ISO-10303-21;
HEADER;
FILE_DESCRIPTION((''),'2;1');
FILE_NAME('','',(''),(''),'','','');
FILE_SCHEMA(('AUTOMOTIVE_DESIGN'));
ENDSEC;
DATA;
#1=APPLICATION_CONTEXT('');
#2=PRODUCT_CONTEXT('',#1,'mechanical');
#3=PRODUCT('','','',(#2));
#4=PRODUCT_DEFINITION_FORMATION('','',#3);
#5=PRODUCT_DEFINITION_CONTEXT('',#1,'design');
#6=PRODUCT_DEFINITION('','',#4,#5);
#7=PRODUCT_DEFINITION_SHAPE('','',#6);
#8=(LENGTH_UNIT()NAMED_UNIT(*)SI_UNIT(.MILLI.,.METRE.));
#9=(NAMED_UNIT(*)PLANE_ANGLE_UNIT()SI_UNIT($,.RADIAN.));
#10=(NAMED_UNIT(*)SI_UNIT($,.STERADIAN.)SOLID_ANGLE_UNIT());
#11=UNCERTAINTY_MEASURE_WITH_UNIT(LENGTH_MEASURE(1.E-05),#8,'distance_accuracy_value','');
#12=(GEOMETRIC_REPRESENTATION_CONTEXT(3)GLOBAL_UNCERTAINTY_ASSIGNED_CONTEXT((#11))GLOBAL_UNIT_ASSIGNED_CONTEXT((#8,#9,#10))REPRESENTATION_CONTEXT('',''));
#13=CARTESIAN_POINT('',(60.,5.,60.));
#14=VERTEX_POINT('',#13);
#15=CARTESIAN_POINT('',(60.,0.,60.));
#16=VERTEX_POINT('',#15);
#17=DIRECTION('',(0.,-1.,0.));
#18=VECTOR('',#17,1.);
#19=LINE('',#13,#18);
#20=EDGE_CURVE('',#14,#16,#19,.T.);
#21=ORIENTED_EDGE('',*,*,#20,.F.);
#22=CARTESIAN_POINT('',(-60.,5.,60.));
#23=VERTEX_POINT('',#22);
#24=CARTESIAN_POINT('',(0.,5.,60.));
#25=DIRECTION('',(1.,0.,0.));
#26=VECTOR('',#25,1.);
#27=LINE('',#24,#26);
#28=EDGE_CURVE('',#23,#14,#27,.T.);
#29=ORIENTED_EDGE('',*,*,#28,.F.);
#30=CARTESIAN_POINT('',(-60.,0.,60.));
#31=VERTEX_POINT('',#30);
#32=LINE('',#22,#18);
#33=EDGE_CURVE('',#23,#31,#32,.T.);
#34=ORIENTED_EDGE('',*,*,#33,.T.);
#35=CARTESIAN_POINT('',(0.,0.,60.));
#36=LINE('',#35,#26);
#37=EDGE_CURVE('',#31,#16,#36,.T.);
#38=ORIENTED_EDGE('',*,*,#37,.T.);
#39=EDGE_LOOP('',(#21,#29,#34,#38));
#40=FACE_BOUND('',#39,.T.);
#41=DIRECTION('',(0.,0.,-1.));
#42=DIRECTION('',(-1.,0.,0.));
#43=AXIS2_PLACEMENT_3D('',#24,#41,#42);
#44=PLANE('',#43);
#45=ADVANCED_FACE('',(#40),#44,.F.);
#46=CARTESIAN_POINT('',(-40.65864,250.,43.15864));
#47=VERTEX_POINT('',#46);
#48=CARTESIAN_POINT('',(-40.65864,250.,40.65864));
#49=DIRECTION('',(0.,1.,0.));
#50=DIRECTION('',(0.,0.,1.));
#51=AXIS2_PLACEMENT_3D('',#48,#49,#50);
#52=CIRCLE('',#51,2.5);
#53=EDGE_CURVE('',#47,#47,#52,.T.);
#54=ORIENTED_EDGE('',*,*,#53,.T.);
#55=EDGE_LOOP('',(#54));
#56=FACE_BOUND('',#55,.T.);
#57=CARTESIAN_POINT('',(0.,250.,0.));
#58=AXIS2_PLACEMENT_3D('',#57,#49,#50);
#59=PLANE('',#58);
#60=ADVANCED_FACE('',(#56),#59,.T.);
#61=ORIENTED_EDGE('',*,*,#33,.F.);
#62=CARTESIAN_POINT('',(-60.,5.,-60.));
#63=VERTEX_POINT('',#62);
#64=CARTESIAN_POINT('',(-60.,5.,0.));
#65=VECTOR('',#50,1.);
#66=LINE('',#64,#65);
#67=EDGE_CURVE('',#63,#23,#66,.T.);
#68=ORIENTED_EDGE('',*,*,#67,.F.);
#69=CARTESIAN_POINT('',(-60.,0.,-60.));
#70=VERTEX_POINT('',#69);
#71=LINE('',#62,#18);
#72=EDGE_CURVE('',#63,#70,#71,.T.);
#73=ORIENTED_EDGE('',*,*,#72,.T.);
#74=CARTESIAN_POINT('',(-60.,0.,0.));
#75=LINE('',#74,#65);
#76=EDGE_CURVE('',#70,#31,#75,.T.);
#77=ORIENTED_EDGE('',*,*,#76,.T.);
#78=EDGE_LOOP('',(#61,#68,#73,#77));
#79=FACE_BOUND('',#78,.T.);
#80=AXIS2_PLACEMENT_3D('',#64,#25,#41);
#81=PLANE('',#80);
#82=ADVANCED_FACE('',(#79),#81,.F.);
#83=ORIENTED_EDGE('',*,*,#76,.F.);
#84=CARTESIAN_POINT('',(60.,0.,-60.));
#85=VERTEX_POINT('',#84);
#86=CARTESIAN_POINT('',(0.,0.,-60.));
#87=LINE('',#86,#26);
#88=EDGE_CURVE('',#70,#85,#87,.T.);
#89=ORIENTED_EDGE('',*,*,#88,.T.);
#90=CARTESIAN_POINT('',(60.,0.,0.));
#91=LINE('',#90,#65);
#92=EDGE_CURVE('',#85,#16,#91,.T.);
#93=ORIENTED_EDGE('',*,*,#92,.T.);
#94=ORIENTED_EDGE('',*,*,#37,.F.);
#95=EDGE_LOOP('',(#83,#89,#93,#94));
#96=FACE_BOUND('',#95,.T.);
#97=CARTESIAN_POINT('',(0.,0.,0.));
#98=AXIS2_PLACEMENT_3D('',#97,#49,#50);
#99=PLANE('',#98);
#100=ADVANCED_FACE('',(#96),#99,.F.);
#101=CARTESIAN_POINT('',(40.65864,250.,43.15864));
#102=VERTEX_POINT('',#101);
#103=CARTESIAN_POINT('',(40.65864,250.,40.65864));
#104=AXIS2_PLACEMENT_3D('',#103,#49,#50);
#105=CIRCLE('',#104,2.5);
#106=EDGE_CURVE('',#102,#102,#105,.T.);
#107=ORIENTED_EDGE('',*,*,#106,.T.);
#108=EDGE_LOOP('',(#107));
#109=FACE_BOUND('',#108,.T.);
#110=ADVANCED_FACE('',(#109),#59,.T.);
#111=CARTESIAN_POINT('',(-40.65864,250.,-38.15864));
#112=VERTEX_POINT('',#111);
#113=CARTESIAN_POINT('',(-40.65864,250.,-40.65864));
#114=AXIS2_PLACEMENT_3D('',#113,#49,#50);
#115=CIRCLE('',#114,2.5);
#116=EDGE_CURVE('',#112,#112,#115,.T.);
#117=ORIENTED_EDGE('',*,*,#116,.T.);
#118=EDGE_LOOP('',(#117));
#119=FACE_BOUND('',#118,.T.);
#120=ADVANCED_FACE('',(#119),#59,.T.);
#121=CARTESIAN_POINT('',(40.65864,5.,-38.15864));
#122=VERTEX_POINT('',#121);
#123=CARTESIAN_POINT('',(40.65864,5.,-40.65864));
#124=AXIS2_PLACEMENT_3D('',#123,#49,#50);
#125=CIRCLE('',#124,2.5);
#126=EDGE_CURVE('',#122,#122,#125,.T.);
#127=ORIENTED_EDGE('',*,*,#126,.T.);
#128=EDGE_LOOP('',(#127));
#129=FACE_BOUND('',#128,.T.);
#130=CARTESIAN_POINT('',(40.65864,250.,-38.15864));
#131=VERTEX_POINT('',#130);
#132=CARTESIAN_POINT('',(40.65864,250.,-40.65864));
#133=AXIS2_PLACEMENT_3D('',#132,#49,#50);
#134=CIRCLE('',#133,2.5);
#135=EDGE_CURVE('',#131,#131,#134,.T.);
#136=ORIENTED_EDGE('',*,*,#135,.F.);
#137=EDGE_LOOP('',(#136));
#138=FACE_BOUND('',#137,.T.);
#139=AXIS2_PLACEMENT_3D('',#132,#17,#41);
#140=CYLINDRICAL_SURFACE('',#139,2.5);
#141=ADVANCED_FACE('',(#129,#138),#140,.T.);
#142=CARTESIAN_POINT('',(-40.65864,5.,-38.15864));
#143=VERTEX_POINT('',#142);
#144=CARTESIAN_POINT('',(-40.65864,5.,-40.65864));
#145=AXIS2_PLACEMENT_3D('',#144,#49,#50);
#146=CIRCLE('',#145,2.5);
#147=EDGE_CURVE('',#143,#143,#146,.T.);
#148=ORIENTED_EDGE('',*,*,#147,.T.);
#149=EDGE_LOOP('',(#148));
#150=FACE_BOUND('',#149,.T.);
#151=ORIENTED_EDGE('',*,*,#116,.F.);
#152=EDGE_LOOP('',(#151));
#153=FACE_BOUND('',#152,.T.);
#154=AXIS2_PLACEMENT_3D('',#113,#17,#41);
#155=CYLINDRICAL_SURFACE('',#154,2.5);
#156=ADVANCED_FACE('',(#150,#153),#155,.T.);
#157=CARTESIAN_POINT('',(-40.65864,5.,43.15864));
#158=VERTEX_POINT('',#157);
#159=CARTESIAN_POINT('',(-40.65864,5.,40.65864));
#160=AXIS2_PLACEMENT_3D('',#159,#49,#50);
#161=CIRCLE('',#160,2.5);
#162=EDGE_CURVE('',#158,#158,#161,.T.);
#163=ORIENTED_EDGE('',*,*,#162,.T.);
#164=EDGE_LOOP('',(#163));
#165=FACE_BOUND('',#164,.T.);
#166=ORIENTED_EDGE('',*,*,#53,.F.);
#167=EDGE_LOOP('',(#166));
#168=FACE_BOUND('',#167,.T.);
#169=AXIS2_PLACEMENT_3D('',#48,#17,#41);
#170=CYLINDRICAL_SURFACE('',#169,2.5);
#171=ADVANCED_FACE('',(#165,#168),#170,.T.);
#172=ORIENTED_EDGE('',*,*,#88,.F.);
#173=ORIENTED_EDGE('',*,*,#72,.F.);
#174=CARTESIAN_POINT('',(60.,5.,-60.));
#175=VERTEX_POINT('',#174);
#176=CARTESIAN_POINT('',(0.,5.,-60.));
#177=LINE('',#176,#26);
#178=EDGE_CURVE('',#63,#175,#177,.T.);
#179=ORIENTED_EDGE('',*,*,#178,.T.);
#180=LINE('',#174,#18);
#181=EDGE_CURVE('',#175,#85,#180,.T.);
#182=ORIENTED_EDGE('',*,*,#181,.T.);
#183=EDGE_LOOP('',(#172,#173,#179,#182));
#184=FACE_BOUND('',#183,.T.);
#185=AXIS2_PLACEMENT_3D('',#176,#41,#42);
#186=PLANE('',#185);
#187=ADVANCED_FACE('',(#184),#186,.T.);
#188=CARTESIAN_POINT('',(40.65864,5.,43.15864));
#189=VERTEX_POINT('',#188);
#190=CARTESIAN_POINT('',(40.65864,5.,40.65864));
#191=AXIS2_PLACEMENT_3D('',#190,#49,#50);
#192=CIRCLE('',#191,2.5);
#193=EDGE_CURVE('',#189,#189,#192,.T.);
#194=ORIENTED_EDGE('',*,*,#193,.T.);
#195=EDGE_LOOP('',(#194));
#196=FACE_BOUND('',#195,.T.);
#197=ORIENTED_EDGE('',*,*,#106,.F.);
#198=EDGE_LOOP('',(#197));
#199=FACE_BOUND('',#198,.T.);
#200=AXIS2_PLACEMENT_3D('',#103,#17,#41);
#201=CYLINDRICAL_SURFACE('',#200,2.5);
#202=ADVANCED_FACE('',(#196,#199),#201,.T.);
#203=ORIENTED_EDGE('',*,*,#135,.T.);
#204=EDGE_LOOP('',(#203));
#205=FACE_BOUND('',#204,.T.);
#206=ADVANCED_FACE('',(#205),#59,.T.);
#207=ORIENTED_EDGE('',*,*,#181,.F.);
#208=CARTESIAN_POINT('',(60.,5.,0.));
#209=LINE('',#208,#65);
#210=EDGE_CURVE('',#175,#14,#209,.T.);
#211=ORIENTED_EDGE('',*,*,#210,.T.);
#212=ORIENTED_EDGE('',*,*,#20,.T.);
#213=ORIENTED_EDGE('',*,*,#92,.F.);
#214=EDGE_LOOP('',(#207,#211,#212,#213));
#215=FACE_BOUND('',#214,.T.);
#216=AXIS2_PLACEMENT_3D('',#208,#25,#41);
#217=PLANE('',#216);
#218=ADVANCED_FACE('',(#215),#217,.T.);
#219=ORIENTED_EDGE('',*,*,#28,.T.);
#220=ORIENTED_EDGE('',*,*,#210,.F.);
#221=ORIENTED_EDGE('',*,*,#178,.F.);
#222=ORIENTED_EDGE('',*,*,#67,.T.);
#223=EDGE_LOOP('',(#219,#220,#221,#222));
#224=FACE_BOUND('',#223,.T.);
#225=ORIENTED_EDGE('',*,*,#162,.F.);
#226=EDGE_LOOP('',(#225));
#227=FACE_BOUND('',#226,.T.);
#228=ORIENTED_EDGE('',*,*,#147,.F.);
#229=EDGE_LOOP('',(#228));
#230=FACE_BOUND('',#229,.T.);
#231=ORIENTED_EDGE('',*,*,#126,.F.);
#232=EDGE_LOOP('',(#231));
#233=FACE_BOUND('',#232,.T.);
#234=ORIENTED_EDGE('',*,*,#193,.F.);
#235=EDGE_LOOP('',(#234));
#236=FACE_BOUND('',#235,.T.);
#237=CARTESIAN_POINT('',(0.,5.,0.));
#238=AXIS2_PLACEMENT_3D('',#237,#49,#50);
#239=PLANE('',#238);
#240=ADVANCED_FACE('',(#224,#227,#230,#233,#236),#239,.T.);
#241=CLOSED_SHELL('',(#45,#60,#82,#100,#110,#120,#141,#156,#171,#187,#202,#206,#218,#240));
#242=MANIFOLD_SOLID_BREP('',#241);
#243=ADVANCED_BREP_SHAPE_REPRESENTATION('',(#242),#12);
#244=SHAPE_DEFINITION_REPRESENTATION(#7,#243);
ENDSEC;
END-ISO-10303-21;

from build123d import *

# Parameters (mm, degrees)
SKETCH1_W           = 120
SKETCH1_H           = 120
SKETCH1_R           = 2.5
BOSS_EXTRUDE1_DEPTH = 5
SKETCH1_3_R         = 2.5
BOSS_EXTRUDE2_DEPTH = 250


with BuildPart() as part:
    # Sketch1 → Boss-Extrude1 (new body)
    with BuildSketch(Plane(origin=(0, 0, 0), x_dir=(1, 0, 0), z_dir=(0, 1, 0))):
        Rectangle(SKETCH1_W, SKETCH1_H)
        with Locations((-40.658639918, -40.658639918)):
            Circle(SKETCH1_R, mode=Mode.SUBTRACT)
        with Locations((40.658639918, -40.658639918)):
            Circle(SKETCH1_R, mode=Mode.SUBTRACT)
        with Locations((-40.658639918, 40.658639918)):
            Circle(SKETCH1_R, mode=Mode.SUBTRACT)
        with Locations((40.658639918, 40.658639918)):
            Circle(SKETCH1_R, mode=Mode.SUBTRACT)
    extrude(amount=BOSS_EXTRUDE1_DEPTH)

    # Sketch1<3> → Boss-Extrude2 (add)
    with BuildSketch(Plane(origin=(0, 0, 0), x_dir=(1, 0, 0), z_dir=(0, 1, 0))):
        with Locations((-40.658639918, 40.658639918)):
            Circle(SKETCH1_3_R)
        with Locations((40.658639918, -40.658639918)):
            Circle(SKETCH1_3_R)
        with Locations((40.658639918, 40.658639918)):
            Circle(SKETCH1_3_R)
        with Locations((-40.658639918, -40.658639918)):
            Circle(SKETCH1_3_R)
    extrude(amount=BOSS_EXTRUDE2_DEPTH)


solid = part.part
